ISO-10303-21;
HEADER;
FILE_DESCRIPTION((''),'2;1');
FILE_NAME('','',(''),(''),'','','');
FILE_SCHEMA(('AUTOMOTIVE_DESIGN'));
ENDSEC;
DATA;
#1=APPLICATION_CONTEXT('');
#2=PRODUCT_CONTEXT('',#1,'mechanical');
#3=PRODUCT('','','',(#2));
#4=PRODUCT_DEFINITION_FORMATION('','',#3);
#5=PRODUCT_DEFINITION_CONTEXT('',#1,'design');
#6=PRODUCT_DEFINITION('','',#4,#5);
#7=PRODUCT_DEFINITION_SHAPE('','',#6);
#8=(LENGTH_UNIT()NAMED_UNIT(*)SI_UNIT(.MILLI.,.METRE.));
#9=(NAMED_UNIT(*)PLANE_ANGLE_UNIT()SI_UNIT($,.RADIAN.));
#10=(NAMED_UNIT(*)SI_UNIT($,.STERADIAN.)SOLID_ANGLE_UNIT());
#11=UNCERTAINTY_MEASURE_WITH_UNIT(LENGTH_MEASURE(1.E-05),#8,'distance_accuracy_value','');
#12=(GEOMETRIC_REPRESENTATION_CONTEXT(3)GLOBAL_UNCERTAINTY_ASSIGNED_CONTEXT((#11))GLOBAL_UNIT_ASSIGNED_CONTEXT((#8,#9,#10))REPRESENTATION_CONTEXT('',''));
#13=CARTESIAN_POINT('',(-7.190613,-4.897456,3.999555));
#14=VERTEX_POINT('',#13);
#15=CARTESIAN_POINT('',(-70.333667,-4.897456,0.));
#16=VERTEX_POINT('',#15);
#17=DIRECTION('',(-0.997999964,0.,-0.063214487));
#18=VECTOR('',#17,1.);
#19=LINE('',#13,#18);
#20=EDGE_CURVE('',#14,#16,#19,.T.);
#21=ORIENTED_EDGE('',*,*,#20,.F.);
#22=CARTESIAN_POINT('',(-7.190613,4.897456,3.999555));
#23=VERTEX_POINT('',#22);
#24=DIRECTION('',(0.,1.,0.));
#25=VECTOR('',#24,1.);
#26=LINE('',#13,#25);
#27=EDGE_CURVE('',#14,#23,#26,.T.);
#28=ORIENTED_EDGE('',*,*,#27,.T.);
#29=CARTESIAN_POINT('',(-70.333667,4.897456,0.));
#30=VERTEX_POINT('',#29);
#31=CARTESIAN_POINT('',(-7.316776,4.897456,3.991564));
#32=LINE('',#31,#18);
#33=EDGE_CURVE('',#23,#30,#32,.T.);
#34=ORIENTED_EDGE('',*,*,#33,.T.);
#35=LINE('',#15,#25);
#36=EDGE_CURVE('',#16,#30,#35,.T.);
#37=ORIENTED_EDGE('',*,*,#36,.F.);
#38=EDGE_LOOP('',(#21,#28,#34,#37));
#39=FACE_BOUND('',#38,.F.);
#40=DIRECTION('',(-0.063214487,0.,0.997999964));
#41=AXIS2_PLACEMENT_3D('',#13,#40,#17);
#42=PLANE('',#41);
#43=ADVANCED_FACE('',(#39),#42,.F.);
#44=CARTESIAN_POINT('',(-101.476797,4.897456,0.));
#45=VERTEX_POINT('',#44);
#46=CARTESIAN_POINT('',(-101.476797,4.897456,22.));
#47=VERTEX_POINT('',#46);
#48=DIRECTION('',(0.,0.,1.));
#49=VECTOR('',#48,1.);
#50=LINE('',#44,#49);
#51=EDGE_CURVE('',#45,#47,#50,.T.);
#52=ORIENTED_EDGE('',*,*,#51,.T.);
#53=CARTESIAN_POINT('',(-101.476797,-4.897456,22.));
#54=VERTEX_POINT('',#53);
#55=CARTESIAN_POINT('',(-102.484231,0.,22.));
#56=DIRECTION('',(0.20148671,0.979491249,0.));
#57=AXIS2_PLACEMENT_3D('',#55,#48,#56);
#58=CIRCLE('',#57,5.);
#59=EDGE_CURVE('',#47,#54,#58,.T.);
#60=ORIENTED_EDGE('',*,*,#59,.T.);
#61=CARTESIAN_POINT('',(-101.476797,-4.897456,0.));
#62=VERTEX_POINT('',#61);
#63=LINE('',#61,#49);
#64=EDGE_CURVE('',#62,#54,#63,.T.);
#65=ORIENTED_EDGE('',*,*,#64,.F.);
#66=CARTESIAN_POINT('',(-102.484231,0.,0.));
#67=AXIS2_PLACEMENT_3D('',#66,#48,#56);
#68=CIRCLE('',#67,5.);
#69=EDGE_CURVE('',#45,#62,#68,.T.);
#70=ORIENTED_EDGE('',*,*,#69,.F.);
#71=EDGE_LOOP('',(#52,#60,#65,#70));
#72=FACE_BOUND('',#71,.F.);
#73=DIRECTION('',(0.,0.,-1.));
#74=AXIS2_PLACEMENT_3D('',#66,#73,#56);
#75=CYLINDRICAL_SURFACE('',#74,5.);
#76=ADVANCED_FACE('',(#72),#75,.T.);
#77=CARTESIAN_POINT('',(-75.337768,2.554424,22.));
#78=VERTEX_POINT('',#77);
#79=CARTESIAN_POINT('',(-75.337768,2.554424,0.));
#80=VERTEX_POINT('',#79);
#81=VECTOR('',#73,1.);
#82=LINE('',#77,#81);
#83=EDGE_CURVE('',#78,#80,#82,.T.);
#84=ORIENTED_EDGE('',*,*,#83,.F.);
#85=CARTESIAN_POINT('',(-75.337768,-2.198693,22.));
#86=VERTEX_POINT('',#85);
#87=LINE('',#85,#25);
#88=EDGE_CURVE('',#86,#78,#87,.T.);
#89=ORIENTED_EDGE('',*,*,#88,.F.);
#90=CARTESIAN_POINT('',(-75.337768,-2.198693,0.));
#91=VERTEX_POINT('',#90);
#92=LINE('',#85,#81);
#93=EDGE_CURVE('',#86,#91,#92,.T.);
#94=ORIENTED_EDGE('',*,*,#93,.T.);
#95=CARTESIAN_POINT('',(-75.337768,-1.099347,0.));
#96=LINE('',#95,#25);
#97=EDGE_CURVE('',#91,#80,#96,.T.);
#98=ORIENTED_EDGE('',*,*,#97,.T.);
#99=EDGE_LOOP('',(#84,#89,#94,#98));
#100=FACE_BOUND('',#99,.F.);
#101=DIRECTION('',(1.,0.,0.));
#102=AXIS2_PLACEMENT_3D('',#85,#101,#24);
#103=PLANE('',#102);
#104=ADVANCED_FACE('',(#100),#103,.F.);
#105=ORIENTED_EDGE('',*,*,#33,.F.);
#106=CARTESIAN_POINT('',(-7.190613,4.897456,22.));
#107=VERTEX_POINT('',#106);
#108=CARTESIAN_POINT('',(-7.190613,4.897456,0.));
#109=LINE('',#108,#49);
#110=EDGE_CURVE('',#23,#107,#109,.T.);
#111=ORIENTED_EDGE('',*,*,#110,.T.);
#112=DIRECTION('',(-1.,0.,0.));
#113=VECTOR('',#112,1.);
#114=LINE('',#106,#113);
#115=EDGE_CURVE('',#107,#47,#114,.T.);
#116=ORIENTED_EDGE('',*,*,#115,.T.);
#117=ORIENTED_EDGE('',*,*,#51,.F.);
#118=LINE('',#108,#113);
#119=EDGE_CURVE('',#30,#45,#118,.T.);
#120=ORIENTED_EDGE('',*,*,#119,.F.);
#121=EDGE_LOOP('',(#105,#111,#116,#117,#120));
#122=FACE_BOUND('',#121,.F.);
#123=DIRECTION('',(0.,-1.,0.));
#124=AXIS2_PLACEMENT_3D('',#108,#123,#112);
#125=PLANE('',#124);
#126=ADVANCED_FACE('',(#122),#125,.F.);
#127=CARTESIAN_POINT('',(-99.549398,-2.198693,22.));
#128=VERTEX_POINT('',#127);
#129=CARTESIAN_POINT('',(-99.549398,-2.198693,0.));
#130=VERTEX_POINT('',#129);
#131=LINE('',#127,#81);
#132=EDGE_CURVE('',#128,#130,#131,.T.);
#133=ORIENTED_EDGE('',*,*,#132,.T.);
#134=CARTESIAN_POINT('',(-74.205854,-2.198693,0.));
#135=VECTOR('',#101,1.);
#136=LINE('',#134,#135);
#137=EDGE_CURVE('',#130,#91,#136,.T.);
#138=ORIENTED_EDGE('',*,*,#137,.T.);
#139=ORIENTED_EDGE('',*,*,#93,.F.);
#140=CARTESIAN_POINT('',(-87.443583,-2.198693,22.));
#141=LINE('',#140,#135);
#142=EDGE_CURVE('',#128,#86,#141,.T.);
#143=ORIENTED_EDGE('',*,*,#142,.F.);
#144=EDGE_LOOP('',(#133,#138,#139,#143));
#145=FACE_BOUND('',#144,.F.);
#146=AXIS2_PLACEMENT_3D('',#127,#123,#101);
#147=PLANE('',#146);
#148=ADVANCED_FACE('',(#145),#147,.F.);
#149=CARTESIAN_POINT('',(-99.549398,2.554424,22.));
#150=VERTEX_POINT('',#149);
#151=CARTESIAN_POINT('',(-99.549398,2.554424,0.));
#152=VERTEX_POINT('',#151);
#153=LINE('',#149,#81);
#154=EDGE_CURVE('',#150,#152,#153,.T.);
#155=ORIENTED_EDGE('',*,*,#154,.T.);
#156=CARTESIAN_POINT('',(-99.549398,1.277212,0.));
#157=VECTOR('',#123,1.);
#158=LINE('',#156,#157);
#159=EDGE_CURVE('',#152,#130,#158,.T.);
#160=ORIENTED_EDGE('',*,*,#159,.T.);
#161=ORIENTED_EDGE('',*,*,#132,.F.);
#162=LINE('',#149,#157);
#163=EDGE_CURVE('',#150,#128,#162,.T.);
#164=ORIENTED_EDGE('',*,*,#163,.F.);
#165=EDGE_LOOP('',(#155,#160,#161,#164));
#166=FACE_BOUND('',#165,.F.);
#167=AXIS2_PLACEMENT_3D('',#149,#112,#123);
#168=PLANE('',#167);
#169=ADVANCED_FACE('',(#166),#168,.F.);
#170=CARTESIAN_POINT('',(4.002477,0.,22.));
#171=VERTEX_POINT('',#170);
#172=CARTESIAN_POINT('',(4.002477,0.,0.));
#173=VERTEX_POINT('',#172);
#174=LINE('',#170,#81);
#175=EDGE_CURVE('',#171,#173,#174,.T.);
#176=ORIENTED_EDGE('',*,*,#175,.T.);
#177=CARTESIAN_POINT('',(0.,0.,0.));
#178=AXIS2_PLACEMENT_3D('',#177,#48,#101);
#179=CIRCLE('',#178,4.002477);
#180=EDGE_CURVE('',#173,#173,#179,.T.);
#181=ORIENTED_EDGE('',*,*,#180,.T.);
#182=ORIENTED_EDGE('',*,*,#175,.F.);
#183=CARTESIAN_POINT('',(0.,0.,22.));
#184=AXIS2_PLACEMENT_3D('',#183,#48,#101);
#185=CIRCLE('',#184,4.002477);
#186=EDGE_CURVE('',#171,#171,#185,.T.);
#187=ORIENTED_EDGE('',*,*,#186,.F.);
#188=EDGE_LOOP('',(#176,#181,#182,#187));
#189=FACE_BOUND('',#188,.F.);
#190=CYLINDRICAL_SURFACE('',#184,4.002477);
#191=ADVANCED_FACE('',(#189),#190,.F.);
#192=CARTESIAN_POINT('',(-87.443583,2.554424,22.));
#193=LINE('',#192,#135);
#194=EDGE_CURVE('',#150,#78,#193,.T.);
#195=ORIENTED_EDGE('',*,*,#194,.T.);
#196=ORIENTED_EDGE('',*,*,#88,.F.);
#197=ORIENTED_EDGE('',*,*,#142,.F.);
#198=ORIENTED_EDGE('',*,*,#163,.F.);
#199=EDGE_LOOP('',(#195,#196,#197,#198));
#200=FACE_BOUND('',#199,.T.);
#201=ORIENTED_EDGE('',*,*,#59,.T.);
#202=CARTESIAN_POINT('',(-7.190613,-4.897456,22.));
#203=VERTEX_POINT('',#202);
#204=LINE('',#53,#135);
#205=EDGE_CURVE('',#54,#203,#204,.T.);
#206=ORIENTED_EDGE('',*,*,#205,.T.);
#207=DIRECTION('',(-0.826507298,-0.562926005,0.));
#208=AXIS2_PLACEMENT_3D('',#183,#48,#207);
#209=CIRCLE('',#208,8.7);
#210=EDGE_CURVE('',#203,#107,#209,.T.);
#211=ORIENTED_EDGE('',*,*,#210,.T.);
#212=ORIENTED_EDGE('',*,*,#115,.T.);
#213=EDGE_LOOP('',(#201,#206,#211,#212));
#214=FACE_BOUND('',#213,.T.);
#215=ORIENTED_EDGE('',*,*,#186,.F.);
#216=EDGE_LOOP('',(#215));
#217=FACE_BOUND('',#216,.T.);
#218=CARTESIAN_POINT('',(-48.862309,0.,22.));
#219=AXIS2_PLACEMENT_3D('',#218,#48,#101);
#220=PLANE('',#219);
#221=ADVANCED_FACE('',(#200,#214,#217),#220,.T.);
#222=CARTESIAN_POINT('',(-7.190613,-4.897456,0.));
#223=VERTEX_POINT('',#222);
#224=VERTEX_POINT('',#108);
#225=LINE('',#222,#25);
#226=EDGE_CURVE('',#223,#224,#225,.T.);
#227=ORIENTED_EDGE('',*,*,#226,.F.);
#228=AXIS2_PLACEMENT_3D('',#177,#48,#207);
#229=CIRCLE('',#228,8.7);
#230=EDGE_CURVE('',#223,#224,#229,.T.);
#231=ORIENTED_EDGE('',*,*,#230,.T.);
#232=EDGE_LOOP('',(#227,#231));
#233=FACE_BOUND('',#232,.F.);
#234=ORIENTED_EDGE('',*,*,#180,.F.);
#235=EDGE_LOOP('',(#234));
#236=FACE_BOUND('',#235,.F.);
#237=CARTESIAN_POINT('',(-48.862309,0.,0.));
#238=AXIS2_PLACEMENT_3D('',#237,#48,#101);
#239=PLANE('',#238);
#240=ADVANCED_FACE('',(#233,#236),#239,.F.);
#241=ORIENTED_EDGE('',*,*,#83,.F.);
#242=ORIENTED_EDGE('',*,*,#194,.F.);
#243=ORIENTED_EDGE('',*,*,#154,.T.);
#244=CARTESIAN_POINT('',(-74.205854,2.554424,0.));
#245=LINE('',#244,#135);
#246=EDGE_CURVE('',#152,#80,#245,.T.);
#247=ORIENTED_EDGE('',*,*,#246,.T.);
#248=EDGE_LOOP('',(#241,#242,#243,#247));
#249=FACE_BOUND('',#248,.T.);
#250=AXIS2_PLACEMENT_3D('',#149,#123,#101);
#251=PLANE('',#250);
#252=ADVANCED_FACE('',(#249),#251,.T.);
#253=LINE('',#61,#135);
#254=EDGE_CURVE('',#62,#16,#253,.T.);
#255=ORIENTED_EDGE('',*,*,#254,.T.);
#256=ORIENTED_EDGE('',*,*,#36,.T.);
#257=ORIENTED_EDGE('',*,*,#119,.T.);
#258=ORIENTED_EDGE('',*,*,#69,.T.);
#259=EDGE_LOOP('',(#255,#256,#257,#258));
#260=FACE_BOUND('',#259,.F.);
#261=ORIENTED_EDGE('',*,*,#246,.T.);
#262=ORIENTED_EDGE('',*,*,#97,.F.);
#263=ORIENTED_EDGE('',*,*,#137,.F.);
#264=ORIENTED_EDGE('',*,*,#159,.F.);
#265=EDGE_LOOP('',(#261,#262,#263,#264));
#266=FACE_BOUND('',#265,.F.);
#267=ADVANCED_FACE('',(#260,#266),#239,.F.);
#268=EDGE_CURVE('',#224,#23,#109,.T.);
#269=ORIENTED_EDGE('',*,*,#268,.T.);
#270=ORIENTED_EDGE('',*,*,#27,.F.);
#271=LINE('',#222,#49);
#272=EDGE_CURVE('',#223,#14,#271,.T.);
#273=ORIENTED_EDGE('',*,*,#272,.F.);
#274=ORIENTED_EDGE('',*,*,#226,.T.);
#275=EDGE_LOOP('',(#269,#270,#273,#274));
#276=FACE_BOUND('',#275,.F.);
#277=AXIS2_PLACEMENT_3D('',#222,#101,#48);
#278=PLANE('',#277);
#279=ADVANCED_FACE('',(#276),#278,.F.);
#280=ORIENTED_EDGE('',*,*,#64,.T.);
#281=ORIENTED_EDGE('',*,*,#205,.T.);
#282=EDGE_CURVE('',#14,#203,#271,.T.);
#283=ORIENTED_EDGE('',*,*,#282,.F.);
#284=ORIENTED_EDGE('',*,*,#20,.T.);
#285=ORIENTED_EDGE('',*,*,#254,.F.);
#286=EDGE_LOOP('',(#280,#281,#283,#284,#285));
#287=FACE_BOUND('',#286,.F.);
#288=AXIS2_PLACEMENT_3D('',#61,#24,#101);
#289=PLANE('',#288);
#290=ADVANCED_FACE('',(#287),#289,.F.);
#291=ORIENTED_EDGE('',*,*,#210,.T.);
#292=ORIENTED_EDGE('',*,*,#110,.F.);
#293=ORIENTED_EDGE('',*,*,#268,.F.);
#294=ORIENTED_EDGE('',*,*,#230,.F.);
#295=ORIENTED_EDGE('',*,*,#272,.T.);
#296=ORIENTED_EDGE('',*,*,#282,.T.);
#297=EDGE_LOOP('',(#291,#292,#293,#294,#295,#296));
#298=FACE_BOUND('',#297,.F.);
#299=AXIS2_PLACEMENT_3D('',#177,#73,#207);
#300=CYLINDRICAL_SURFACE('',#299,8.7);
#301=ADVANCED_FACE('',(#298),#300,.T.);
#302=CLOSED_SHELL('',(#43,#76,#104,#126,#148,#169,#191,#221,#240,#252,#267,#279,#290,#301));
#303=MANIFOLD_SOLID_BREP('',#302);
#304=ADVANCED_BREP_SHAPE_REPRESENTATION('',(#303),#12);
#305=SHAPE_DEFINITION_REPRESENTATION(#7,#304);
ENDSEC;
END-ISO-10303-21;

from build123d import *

# Parameters (mm, degrees)
F1_DEPTH = 22
F3_DEPTH = 13.5984562425
F4_W     = 24.2116302252
F4_H     = 2.5544243399
F4_H_2   = 2.1986933425
F5_DEPTH = 22.001
F6_R     = 4.0024769444
F7_DEPTH = 22.001


with BuildPart() as f1:
    # F0 (on Top) → F1 (new body)
    with BuildSketch(Plane.XY):
        with BuildLine():
            Line((-101.4767971394, -4.8974562425), (-7.1906134893, -4.8974562425))
            ThreePointArc((-7.1906134893, -4.8974562425), (8.7, 0), (-7.1906134893, 4.8974562425))
            Line((-7.1906134893, 4.8974562425), (-101.4767971394, 4.8974562425))
            ThreePointArc((-101.4767971394, 4.8974562425), (-107.4842306869, 0), (-101.4767971394, -4.8974562425))
        make_face()
    extrude(amount=F1_DEPTH)

    # F2 (on face) → F3 (cut, through all)
    with BuildSketch(Plane.XZ.offset(4.8974562425)):
        Polygon((-7.1906134893, 3.9995550178), (-70.3336670995, 0), (-7.1906134893, 0), align=None)
    extrude(amount=-F3_DEPTH, mode=Mode.SUBTRACT)

    # F4 (on face) → F5 (cut, through all)
    with BuildSketch(Plane.XY.offset(22)):
        with Locations((-87.4435827136, 1.27721217)):
            Rectangle(F4_W, F4_H)
        with Locations((-87.4435827136, -1.0993466713)):
            Rectangle(F4_W, F4_H_2)
    extrude(amount=-F5_DEPTH, mode=Mode.SUBTRACT)

    # F6 (on face) → F7 (cut, through all)
    with BuildSketch(Plane.XY.offset(22)):
        Circle(F6_R)
    extrude(amount=-F7_DEPTH, mode=Mode.SUBTRACT)


solid = f1.part
